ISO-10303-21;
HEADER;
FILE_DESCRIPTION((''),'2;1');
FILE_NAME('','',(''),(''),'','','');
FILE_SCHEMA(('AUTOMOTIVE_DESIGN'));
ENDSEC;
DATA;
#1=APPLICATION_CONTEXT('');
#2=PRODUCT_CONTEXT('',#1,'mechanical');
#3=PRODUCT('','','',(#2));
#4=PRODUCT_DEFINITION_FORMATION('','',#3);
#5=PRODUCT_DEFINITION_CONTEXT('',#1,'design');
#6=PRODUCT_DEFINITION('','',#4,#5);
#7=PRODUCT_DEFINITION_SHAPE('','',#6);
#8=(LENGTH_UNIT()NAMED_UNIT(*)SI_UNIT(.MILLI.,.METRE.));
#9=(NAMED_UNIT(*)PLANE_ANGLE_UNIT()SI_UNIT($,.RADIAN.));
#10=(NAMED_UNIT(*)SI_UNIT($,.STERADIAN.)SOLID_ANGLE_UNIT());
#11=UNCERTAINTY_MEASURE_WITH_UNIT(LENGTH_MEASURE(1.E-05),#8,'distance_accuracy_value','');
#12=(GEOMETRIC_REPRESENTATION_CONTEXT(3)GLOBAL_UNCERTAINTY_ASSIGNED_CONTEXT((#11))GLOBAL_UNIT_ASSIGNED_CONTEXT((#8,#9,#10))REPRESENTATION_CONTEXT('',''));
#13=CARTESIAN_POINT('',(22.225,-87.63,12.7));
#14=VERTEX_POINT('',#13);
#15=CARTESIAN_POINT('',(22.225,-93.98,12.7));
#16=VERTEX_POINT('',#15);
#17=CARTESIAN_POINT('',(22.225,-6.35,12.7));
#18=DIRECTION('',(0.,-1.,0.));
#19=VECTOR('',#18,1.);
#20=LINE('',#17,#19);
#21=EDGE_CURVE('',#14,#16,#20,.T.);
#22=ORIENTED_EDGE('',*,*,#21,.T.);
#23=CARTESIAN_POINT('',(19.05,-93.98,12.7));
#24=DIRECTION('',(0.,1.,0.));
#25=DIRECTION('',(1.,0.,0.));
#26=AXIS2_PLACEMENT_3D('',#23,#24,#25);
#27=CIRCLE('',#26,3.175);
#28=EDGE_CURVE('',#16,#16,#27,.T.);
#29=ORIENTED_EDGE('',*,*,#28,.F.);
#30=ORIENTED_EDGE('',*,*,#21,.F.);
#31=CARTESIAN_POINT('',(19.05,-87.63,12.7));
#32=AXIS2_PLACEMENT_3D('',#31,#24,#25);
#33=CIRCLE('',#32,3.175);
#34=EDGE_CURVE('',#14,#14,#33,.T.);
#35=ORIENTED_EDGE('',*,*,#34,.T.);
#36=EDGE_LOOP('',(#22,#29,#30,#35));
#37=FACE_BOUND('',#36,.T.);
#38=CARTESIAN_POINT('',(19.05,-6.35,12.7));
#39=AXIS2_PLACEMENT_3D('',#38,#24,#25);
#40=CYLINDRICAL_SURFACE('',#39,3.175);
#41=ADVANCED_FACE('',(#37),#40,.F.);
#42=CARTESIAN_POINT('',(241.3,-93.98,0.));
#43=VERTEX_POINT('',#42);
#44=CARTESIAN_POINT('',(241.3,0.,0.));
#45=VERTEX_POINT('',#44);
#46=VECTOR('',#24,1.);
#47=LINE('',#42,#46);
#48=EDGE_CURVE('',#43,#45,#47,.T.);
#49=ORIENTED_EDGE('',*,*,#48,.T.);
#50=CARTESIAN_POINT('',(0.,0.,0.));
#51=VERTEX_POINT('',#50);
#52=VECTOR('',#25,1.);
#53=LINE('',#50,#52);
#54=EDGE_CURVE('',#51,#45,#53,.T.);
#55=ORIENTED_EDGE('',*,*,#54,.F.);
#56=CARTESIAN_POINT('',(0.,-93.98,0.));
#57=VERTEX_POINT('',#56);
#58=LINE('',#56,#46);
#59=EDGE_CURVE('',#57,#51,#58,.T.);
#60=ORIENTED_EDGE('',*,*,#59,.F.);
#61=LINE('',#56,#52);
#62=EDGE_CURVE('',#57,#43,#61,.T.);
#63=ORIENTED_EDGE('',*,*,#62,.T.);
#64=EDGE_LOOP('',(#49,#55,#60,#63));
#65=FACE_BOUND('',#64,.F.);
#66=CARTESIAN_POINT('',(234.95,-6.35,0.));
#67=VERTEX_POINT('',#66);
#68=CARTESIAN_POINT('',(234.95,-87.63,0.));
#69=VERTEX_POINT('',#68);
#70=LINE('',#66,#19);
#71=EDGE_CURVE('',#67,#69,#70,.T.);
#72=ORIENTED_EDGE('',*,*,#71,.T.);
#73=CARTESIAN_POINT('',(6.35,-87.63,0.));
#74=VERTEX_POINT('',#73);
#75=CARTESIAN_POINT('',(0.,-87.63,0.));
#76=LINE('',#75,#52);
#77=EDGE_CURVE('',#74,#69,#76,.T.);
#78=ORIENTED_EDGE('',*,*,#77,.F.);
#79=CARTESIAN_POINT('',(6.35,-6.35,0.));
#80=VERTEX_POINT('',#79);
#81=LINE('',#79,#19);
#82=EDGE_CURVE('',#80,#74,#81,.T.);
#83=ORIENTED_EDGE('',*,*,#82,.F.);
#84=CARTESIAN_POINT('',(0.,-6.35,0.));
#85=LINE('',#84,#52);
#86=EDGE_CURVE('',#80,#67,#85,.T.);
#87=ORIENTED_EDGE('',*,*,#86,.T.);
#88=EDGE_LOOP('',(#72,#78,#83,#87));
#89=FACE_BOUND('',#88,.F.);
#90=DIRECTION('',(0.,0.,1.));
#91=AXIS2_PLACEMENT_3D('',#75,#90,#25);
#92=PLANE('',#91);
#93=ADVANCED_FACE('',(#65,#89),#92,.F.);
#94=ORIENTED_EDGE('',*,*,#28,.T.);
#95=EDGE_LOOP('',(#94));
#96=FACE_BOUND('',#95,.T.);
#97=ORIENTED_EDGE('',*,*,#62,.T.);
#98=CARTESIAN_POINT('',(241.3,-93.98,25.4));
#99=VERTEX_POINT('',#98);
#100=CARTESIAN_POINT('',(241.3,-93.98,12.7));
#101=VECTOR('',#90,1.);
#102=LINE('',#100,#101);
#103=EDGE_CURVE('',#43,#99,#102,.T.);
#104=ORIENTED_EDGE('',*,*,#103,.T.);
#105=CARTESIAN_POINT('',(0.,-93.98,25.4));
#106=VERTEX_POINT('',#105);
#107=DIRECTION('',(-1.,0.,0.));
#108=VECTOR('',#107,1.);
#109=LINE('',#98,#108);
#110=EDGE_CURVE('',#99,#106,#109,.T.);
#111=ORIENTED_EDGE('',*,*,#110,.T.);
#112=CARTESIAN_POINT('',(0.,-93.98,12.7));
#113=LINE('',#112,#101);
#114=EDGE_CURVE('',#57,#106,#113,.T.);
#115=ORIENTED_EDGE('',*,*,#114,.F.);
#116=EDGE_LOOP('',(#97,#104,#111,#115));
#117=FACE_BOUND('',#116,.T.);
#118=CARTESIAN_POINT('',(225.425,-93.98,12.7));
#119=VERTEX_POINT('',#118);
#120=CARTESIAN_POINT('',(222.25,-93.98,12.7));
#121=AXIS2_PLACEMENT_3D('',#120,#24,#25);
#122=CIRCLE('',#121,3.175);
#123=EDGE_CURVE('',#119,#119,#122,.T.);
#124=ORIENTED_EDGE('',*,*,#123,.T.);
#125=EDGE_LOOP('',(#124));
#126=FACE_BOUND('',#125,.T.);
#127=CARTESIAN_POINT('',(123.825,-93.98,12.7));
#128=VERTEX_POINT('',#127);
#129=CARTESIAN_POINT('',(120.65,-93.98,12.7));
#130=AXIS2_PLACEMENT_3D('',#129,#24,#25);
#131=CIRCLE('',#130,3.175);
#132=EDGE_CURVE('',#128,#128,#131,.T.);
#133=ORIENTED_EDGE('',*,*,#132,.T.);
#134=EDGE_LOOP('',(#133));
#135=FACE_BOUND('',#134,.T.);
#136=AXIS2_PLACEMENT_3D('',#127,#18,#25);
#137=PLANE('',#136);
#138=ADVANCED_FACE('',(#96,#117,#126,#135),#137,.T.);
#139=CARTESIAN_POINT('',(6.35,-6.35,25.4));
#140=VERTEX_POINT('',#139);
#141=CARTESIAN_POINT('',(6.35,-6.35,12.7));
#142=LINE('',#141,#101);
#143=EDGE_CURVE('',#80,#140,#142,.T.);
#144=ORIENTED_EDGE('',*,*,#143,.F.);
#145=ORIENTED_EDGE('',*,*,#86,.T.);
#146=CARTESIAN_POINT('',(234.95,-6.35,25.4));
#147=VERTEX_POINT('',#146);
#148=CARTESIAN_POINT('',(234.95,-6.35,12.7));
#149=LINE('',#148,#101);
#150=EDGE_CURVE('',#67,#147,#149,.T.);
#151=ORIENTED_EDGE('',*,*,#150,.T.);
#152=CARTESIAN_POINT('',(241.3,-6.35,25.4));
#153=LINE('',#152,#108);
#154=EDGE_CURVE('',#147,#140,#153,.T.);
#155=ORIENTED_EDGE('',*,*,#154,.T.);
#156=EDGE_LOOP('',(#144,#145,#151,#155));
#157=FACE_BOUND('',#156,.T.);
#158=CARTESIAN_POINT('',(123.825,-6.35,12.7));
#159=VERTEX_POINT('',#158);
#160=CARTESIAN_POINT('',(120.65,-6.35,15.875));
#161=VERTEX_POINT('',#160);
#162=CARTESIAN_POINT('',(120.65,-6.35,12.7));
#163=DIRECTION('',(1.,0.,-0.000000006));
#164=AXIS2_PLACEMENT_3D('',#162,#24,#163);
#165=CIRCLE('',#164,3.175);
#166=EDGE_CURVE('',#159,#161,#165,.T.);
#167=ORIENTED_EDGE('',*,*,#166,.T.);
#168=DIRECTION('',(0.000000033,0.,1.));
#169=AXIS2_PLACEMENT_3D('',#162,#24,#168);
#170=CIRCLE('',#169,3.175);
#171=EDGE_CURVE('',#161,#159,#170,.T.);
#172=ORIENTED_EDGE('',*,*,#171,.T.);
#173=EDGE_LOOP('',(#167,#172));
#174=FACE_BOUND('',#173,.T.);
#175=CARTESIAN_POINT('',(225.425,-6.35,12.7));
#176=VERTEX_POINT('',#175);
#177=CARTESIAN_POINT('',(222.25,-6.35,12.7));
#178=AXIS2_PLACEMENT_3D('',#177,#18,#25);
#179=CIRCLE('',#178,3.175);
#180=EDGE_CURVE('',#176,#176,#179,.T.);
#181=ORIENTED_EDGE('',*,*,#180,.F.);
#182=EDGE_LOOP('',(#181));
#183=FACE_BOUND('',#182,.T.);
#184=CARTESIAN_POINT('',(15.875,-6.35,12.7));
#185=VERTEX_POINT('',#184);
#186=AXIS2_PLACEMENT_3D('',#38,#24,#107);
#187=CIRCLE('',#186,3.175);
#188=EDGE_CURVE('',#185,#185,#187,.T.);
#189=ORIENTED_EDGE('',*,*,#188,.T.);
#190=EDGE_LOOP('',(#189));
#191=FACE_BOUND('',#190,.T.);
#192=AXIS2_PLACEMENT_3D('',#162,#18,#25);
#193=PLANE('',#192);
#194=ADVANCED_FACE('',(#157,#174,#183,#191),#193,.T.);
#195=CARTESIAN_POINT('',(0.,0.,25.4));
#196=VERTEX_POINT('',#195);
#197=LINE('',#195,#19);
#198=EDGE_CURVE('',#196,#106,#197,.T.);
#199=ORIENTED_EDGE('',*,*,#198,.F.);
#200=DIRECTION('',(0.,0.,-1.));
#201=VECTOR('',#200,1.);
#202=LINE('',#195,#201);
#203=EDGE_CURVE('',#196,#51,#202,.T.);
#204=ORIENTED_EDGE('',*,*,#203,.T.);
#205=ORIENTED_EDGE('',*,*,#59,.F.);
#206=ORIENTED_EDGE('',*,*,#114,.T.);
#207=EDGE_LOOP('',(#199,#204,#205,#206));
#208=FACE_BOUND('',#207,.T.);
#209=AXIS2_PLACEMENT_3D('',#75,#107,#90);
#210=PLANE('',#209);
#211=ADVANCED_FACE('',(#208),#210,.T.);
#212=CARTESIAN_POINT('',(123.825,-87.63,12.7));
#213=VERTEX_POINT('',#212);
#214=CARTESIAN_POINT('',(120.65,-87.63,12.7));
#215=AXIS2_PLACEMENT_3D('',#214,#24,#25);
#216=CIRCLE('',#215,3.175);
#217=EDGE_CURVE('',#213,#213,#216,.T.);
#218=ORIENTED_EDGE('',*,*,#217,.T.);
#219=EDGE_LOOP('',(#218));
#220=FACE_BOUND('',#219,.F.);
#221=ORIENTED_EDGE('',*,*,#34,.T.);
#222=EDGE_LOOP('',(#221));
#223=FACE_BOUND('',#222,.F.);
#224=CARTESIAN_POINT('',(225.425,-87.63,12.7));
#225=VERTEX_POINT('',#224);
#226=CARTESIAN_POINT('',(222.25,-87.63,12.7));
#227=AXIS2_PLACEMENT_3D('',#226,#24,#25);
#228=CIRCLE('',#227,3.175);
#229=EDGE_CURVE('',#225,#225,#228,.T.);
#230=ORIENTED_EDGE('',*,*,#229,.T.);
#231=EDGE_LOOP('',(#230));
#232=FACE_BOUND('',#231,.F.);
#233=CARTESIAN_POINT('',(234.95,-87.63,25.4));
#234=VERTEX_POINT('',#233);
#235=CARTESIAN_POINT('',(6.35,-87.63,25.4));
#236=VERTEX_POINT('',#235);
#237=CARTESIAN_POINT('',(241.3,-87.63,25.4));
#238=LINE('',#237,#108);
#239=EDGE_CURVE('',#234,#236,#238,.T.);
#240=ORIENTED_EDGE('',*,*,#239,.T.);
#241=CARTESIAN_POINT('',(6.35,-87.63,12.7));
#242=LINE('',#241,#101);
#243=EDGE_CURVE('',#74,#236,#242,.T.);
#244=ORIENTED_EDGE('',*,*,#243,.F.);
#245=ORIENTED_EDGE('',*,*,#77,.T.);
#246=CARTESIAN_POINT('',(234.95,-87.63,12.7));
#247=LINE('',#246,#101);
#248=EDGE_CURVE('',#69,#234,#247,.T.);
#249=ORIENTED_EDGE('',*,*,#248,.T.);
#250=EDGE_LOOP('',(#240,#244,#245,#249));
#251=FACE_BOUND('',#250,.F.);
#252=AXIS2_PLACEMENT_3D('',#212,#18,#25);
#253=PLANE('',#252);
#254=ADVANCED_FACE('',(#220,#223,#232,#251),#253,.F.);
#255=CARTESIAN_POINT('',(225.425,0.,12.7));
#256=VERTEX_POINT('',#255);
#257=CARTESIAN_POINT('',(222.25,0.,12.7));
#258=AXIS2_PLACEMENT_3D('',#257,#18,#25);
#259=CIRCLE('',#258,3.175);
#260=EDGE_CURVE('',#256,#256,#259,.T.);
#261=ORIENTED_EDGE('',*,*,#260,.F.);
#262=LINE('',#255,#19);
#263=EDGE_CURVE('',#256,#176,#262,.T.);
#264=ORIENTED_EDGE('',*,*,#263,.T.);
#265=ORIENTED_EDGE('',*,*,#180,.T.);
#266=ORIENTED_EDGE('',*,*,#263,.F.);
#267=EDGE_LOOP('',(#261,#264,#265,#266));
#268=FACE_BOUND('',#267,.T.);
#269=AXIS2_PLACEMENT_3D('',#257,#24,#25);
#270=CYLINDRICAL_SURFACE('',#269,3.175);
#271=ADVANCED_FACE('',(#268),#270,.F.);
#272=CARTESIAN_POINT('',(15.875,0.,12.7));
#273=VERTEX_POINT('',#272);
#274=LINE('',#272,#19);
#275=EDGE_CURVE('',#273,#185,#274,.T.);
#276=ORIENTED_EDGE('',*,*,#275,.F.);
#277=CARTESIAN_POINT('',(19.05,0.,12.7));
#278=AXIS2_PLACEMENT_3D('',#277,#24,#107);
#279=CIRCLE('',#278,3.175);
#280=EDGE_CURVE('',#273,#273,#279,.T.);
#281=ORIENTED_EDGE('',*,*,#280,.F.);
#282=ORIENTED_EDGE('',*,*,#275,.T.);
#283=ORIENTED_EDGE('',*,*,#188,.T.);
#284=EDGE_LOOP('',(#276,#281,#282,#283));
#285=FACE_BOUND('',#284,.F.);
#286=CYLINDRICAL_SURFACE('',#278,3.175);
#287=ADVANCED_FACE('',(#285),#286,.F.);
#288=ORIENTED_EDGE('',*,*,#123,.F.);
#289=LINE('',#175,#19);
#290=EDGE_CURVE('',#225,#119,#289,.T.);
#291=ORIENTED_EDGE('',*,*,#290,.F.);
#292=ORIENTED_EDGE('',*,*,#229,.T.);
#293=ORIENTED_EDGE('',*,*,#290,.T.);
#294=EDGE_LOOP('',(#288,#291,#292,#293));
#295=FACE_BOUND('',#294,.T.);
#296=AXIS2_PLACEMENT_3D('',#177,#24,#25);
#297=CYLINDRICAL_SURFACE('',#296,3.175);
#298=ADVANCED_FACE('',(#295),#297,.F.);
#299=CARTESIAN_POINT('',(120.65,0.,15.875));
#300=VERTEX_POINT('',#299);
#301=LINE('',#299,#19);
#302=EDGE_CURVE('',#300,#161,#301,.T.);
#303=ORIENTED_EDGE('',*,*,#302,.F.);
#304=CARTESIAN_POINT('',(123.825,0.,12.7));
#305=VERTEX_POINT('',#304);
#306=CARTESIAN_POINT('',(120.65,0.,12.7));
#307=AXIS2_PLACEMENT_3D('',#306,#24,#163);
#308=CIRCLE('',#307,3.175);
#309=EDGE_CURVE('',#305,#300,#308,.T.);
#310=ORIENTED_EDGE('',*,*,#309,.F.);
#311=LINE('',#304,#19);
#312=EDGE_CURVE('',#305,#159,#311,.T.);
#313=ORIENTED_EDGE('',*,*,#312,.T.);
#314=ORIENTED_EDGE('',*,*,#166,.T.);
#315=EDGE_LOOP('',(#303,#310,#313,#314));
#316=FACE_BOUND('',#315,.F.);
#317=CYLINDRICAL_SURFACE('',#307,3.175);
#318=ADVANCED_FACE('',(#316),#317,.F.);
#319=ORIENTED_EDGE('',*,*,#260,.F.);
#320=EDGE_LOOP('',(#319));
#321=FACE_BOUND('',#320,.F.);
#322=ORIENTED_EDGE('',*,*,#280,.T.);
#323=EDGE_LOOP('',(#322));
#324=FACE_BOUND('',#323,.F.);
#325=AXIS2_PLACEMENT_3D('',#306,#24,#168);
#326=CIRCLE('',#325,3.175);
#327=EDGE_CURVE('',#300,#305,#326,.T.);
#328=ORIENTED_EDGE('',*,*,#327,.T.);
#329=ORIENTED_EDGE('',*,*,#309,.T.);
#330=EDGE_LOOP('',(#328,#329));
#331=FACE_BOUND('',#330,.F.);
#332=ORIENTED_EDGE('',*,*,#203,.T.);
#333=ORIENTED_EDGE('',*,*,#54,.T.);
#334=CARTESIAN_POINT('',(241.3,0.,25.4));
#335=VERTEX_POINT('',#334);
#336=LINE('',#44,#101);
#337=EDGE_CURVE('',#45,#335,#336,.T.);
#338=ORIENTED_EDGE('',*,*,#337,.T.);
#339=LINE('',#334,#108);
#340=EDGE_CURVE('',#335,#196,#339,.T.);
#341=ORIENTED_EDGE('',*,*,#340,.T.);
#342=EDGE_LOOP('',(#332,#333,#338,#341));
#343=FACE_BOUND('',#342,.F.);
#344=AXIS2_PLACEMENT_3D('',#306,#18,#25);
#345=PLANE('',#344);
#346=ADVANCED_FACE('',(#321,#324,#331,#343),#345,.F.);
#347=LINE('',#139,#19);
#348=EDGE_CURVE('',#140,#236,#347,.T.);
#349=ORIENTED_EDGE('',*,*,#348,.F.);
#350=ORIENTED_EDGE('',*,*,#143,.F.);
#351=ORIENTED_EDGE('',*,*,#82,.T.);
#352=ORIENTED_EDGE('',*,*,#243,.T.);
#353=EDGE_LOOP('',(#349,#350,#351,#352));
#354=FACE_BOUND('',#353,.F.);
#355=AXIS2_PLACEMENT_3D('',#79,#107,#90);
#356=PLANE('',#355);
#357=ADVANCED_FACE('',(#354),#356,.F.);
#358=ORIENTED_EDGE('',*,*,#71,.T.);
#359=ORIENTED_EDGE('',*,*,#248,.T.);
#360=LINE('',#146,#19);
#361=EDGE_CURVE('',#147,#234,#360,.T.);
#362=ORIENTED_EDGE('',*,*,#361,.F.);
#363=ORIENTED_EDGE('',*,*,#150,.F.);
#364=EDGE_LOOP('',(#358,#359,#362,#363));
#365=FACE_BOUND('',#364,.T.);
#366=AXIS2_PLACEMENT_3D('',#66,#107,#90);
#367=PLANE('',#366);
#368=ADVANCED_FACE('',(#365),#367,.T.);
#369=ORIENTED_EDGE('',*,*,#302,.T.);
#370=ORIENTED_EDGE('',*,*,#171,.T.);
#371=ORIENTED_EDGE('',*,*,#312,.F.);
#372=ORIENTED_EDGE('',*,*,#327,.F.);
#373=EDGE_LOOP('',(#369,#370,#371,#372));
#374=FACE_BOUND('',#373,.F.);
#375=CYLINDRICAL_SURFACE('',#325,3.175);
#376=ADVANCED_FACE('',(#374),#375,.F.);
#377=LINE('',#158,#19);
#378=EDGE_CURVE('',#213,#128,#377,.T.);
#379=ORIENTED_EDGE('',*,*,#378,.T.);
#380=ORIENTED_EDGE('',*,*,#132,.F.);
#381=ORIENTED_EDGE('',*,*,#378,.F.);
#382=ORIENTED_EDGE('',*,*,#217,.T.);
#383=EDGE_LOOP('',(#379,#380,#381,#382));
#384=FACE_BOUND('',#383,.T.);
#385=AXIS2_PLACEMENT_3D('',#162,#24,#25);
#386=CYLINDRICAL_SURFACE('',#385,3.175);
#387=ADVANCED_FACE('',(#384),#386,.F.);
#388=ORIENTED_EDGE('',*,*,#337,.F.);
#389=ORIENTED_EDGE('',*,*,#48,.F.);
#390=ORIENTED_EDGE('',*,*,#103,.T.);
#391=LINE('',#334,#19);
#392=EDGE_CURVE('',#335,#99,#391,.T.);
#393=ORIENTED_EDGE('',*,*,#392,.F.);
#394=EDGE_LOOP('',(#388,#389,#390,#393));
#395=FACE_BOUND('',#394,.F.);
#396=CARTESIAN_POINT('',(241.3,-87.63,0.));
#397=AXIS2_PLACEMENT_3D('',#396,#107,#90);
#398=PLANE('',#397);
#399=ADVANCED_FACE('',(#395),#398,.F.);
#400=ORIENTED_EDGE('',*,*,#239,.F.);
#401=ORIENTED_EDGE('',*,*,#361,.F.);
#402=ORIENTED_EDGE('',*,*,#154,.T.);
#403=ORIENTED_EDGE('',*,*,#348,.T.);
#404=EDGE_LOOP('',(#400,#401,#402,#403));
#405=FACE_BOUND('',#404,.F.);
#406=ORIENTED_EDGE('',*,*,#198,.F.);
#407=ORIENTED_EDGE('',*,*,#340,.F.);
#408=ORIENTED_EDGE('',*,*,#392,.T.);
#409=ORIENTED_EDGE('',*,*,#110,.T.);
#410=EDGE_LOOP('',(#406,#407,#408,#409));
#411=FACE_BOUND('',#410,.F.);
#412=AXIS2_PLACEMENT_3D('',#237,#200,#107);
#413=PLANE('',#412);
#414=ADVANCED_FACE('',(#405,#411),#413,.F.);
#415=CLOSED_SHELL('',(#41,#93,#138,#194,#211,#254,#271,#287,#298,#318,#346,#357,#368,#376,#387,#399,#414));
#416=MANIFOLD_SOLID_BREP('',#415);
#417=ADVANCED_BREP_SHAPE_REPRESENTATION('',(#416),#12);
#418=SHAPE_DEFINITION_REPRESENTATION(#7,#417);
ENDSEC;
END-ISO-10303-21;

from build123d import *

# Parameters (mm, degrees)
F0_R     = 3.175
F1_DEPTH = 6.35
F2_W     = 6.35
F2_H     = 25.4
F3_DEPTH = 81.28
F4_W     = 234.95
F4_H     = 25.4
F4_W_2   = 6.35
F5_DEPTH = 6.35
F6_R     = 3.175
F7_DEPTH = 508


with BuildPart() as f1:
    # F0 (on Front) → F1 (new body)
    with BuildSketch(Plane.XZ):
        Polygon((0, 12.7), (0, 0), (241.3, 0), (241.3, 12.7), (241.3, 25.4), (120.65, 25.4), (0, 25.4), align=None)
        with BuildLine():
            ThreePointArc((22.225, 12.7), (19.05, 9.525), (15.875, 12.7))
            ThreePointArc((15.875, 12.7), (19.05, 15.875), (22.225, 12.7))
        make_face(mode=Mode.SUBTRACT)
        with BuildLine():
            ThreePointArc((123.825, 12.7), (118.404936, 10.454936), (120.65, 15.875))
            ThreePointArc((120.65, 15.875), (122.895064, 14.945064), (123.825, 12.7))
        make_face(mode=Mode.SUBTRACT)
        with Locations((222.25, 12.7)):
            Circle(F0_R, mode=Mode.SUBTRACT)
    extrude(amount=F1_DEPTH)

    # F2 (on face) → F3 (join)
    with BuildSketch(Plane.XZ.offset(6.35)):
        with Locations((3.175, 12.7)):
            Rectangle(F2_W, F2_H)
        with Locations((238.125, 12.7)):
            Rectangle(F2_W, F2_H)
    extrude(amount=F3_DEPTH)

    # F4 (on face) → F5 (join)
    with BuildSketch(Plane.XZ.offset(87.63)):
        with Locations((123.825, 12.7)):
            Rectangle(F4_W, F4_H)
        with Locations((3.175, 12.7)):
            Rectangle(F4_W_2, F4_H)
    extrude(amount=F5_DEPTH)

    # F6 (on face) → F7 (cut)
    with BuildSketch(Plane.XZ.offset(6.35)):
        with Locations((222.25, 12.7)):
            Circle(F6_R)
        with Locations((120.65, 12.7)):
            Circle(F6_R)
        with Locations((19.05, 12.7)):
            Circle(F6_R)
    extrude(amount=F7_DEPTH, mode=Mode.SUBTRACT)


solid = f1.part
